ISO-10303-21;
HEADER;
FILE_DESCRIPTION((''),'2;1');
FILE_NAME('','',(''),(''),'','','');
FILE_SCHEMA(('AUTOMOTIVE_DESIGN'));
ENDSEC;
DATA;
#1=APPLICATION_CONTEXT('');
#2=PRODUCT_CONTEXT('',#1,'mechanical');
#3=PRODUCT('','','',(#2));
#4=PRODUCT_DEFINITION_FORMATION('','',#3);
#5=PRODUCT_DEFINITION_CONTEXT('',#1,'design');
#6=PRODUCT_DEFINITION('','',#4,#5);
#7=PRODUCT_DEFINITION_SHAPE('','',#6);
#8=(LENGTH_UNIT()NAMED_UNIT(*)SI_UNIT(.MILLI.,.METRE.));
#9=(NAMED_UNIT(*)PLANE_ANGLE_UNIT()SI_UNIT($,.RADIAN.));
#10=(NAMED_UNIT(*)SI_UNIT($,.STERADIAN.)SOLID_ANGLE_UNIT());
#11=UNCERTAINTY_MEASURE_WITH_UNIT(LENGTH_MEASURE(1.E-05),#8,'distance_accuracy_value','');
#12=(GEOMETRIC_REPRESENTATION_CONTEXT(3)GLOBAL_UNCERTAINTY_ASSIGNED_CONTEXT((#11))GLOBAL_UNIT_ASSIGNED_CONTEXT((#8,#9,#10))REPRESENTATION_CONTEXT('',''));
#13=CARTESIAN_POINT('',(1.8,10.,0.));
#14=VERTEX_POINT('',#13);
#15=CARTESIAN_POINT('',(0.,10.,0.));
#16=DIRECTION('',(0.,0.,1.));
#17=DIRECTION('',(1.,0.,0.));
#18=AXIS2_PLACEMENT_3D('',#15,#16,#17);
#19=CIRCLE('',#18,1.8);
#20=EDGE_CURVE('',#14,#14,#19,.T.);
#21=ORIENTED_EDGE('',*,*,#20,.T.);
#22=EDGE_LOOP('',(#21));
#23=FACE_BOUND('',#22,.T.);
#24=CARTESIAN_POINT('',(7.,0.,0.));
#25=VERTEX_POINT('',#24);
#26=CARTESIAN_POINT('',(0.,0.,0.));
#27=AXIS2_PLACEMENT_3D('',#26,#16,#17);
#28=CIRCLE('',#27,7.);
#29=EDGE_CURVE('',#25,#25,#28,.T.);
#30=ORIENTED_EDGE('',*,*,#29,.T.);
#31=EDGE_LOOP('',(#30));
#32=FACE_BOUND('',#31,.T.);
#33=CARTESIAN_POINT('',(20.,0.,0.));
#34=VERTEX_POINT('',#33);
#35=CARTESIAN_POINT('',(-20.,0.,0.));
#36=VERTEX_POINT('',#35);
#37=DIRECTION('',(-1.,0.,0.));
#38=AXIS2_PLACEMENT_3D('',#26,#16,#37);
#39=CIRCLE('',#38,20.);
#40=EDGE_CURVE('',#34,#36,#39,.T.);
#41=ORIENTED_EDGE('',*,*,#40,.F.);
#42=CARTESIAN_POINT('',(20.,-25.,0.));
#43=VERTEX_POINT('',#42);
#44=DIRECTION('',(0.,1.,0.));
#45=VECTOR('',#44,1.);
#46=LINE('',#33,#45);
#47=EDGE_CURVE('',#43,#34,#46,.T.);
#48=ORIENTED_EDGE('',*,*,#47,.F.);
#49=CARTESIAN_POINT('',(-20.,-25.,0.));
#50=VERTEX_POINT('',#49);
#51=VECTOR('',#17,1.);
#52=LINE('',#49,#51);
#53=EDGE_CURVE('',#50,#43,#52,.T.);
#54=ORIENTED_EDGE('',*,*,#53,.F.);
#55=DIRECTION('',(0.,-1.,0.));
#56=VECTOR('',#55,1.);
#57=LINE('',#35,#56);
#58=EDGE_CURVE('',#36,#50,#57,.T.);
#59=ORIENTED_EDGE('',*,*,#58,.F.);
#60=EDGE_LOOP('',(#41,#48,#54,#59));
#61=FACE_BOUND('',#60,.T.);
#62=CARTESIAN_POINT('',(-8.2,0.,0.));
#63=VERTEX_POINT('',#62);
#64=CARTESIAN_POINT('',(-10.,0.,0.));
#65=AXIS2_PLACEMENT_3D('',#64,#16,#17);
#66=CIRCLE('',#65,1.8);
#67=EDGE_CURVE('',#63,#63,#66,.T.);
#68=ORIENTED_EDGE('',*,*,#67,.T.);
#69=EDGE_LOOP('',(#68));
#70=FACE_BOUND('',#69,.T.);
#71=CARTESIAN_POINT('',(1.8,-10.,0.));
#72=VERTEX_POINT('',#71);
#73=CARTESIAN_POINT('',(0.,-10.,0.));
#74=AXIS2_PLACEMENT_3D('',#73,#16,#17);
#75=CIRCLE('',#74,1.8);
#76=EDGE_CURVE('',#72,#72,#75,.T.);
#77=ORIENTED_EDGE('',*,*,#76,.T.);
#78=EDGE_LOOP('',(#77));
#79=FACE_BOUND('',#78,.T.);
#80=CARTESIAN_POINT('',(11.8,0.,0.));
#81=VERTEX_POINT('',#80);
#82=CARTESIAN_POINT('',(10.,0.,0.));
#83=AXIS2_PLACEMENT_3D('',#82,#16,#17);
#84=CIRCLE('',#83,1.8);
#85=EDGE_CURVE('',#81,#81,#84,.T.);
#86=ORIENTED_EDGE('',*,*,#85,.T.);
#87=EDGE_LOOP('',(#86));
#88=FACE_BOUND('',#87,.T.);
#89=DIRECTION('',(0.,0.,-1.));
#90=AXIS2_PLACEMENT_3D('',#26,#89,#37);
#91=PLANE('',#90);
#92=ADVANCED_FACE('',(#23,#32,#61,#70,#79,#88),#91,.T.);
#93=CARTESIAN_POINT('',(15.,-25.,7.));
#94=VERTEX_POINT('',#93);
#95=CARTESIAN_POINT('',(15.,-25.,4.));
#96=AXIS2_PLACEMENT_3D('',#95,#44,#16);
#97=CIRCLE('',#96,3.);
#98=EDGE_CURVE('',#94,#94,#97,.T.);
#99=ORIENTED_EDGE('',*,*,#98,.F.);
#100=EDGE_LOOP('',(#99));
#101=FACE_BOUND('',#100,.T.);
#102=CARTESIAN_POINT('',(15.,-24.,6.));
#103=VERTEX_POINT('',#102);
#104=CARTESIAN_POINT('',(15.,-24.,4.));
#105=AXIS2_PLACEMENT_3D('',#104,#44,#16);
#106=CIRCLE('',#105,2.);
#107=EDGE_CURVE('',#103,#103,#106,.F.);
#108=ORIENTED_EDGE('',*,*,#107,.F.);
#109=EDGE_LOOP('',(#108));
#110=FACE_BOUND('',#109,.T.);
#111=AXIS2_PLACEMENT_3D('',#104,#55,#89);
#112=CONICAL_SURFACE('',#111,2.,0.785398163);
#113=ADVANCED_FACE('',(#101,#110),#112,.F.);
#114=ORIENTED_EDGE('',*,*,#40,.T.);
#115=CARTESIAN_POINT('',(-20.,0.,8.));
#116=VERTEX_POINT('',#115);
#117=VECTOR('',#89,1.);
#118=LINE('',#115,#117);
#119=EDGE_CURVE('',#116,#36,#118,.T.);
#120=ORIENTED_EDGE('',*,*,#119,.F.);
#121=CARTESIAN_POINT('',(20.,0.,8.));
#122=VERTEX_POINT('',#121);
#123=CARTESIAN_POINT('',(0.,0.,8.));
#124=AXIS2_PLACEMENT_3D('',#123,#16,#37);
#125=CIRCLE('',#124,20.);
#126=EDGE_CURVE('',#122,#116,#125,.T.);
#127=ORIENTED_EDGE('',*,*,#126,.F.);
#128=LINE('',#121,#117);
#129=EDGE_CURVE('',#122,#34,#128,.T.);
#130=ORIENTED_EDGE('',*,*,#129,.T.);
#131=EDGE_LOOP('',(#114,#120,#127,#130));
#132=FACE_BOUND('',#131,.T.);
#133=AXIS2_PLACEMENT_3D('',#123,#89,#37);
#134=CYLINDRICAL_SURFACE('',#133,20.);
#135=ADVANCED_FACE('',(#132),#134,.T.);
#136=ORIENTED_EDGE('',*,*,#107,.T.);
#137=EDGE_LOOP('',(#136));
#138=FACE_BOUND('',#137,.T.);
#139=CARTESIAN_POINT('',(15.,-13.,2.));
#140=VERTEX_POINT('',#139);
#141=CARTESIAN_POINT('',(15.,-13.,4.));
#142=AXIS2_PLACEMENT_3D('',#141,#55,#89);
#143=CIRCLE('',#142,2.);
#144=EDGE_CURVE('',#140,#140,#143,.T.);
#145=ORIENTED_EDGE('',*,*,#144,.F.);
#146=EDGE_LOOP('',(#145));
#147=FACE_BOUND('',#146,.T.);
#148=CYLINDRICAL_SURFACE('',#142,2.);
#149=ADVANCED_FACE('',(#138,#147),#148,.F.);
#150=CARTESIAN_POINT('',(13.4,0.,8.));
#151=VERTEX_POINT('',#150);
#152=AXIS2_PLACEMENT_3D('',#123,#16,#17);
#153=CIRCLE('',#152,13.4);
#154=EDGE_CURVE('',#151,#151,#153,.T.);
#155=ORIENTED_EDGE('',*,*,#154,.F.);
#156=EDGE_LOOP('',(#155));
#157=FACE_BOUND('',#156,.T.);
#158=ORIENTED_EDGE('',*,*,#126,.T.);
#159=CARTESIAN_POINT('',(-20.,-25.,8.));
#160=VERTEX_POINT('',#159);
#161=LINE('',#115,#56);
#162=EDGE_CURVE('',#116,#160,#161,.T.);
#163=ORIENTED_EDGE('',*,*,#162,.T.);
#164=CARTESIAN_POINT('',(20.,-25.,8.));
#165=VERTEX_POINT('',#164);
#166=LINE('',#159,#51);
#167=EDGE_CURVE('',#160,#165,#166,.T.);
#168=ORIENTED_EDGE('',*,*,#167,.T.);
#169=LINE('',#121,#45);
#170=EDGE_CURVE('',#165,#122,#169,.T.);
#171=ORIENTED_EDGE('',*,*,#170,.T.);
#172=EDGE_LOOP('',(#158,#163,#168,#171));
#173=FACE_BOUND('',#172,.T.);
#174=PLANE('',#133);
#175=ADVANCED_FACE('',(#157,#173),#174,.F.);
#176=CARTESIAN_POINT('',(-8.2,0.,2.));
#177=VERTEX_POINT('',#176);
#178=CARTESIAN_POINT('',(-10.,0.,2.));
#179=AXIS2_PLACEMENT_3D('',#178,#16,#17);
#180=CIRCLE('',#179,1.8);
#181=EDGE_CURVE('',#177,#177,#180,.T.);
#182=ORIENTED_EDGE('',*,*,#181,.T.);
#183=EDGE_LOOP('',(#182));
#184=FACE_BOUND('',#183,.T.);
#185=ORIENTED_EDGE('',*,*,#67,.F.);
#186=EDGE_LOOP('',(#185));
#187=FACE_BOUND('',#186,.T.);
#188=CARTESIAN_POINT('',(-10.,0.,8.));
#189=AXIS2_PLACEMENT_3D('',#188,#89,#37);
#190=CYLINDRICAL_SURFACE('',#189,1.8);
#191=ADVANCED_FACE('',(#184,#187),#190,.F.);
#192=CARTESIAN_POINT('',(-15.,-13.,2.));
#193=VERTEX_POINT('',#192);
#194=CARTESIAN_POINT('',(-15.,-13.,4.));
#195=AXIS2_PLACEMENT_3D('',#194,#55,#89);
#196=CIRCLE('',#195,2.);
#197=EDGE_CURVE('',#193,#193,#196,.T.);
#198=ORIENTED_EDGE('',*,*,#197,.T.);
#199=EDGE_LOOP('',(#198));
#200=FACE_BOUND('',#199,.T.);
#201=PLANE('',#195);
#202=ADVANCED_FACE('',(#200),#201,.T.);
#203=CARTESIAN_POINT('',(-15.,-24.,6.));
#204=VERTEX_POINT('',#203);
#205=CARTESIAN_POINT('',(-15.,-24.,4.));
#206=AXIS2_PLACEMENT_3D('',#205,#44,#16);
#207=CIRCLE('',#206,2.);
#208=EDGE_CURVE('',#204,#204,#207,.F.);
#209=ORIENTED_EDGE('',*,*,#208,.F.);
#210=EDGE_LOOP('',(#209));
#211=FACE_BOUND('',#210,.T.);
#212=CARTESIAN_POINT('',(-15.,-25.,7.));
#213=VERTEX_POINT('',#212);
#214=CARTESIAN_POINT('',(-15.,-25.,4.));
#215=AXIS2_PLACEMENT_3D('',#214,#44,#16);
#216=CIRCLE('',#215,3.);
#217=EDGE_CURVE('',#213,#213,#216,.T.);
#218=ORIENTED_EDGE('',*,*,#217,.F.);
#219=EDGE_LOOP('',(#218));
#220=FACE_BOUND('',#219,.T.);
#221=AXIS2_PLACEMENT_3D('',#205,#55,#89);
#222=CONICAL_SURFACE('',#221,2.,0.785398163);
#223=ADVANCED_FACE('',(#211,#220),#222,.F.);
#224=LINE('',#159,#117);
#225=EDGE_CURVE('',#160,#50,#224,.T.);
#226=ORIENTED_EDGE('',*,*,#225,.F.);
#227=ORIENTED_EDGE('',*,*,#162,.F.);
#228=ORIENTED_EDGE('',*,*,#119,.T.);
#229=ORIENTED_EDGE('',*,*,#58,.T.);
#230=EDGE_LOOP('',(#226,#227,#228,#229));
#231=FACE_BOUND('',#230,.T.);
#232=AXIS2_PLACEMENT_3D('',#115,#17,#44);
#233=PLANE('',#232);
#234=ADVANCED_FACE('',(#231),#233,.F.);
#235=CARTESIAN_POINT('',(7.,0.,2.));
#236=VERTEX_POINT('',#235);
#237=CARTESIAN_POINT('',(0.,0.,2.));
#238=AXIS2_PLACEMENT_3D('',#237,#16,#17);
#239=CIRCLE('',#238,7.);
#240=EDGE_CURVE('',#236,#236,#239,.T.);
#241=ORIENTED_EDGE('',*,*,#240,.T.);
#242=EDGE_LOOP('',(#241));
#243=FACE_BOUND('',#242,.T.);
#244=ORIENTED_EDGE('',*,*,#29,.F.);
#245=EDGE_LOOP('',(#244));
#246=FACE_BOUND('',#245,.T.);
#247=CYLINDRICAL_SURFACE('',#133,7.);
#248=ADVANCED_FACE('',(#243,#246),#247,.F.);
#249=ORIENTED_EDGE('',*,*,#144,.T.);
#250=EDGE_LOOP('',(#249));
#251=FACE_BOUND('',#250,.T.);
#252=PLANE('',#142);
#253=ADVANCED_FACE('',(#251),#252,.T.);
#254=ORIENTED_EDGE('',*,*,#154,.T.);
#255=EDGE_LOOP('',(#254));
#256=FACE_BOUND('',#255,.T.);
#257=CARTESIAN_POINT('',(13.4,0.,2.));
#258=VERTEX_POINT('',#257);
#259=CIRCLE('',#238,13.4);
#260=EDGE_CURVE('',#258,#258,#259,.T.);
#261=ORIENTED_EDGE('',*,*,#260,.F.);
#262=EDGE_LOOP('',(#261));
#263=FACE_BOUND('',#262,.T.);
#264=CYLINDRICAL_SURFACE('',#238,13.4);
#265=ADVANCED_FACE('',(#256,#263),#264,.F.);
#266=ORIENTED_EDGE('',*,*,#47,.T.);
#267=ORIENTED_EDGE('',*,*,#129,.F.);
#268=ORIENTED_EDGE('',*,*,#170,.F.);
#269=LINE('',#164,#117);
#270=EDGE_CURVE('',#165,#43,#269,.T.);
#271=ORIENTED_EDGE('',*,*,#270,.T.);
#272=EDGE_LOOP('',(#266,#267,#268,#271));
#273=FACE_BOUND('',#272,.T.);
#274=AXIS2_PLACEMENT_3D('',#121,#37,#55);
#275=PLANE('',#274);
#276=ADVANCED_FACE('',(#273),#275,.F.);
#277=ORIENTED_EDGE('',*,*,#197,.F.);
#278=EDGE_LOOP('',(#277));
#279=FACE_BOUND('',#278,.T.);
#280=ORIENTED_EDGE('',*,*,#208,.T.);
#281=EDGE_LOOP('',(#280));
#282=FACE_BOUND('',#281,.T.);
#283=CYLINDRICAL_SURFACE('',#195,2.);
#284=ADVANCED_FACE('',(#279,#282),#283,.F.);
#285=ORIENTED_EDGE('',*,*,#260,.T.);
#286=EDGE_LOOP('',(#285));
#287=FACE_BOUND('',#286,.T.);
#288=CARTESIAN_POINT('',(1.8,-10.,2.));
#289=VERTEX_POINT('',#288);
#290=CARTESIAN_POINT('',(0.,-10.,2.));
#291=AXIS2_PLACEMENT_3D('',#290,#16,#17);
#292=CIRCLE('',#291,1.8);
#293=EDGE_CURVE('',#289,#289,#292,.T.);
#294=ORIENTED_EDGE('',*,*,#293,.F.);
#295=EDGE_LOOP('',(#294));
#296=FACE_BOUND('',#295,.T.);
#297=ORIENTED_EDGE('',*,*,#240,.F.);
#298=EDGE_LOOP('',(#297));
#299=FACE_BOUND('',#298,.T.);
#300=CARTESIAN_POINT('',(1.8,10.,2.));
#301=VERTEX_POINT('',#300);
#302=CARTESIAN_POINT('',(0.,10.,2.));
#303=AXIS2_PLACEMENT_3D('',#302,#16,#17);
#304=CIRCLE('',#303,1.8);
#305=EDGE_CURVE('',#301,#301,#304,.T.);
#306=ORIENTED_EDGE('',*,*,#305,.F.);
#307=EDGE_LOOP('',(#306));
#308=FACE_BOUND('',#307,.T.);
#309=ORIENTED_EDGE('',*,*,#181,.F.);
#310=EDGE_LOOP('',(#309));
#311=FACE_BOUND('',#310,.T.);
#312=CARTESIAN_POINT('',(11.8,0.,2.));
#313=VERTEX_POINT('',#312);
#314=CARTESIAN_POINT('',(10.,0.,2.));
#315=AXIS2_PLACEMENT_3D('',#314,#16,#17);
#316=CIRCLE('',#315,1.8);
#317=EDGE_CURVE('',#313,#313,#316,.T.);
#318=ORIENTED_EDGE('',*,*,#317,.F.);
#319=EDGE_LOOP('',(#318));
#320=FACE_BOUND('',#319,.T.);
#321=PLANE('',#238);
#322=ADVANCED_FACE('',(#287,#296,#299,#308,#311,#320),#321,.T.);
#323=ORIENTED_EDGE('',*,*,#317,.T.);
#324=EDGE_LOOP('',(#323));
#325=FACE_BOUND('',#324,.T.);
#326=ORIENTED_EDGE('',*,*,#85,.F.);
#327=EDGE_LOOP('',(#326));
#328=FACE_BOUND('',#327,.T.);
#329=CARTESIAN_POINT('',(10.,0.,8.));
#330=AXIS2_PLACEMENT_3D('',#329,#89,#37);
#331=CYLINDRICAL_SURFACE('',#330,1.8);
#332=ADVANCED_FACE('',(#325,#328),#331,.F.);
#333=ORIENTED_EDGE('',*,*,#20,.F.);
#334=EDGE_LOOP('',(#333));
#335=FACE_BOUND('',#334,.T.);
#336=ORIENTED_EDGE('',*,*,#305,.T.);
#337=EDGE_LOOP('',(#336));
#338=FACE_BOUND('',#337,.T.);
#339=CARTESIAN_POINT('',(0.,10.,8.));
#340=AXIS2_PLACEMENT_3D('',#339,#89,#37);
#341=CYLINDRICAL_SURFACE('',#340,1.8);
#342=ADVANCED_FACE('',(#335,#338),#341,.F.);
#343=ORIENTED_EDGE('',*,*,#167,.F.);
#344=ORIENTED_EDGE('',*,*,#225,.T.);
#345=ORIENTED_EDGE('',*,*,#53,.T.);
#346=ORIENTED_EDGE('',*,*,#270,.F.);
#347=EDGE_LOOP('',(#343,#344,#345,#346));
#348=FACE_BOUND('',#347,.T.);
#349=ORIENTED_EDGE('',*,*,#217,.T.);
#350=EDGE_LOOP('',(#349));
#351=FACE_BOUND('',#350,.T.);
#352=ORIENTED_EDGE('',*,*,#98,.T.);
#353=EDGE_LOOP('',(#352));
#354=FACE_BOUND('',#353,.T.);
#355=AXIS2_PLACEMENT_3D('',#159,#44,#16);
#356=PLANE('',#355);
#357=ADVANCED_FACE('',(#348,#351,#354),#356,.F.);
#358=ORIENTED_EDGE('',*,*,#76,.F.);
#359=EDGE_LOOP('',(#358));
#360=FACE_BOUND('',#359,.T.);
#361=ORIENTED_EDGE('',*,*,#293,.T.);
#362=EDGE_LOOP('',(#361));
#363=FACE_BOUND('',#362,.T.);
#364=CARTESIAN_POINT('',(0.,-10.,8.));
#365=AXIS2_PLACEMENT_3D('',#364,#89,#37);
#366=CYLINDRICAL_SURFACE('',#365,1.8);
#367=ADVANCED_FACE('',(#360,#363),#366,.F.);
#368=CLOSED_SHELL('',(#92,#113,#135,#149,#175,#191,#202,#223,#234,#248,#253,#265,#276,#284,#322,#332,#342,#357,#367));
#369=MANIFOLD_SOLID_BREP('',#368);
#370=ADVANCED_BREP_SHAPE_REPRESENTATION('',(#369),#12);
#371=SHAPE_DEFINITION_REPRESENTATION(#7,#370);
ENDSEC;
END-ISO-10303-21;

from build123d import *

# Parameters (mm, degrees)
ESQUISSE1_R             = 7
ESQUISSE1_R_2           = 1.8
BOSS_EXTRU_1_DEPTH      = 8
ESQUISSE2_R             = 13.4
ENL_V_MAT_EXTRU_1_DEPTH = 6
ESQUISSE3_R             = 2
ENL_V_MAT_EXTRU_2_DEPTH = 12
CHANFREIN1_SIZE         = 1


with BuildPart() as part:
    # Esquisse1 → Boss.-Extru.1 (new body)
    with BuildSketch(Plane.XY):
        with BuildLine():
            Line((-20, 0), (-20, -25))
            Line((-20, -25), (20, -25))
            Line((20, -25), (20, 0))
            ThreePointArc((20, 0), (0, 20), (-20, 0))
        make_face()
        Circle(ESQUISSE1_R, mode=Mode.SUBTRACT)
        with Locations((0, 10)):
            Circle(ESQUISSE1_R_2, mode=Mode.SUBTRACT)
        with Locations((10, 0)):
            Circle(ESQUISSE1_R_2, mode=Mode.SUBTRACT)
        with Locations((0, -10)):
            Circle(ESQUISSE1_R_2, mode=Mode.SUBTRACT)
        with Locations((-10, 0)):
            Circle(ESQUISSE1_R_2, mode=Mode.SUBTRACT)
    extrude(amount=BOSS_EXTRU_1_DEPTH)

    # Esquisse2 → Enlèv. mat.-Extru.1 (cut)
    with BuildSketch(Plane.XY.offset(8)):
        Circle(ESQUISSE2_R)
    extrude(amount=-ENL_V_MAT_EXTRU_1_DEPTH, mode=Mode.SUBTRACT)

    # Esquisse3 → Enlèv. mat.-Extru.2 (cut)
    with BuildSketch(Plane.XZ.offset(25)):
        with Locations((-15, 4)):
            Circle(ESQUISSE3_R)
        with Locations((15, 4)):
            Circle(ESQUISSE3_R)
    extrude(amount=-ENL_V_MAT_EXTRU_2_DEPTH, mode=Mode.SUBTRACT)

    # Chanfrein1
    chanfrein1_edges = [part.edges().sort_by_distance(p)[0] for p in [
        (-17, -25, 4),
        (13, -25, 4),
    ]]
    chamfer(chanfrein1_edges, length=CHANFREIN1_SIZE)


solid = part.part
